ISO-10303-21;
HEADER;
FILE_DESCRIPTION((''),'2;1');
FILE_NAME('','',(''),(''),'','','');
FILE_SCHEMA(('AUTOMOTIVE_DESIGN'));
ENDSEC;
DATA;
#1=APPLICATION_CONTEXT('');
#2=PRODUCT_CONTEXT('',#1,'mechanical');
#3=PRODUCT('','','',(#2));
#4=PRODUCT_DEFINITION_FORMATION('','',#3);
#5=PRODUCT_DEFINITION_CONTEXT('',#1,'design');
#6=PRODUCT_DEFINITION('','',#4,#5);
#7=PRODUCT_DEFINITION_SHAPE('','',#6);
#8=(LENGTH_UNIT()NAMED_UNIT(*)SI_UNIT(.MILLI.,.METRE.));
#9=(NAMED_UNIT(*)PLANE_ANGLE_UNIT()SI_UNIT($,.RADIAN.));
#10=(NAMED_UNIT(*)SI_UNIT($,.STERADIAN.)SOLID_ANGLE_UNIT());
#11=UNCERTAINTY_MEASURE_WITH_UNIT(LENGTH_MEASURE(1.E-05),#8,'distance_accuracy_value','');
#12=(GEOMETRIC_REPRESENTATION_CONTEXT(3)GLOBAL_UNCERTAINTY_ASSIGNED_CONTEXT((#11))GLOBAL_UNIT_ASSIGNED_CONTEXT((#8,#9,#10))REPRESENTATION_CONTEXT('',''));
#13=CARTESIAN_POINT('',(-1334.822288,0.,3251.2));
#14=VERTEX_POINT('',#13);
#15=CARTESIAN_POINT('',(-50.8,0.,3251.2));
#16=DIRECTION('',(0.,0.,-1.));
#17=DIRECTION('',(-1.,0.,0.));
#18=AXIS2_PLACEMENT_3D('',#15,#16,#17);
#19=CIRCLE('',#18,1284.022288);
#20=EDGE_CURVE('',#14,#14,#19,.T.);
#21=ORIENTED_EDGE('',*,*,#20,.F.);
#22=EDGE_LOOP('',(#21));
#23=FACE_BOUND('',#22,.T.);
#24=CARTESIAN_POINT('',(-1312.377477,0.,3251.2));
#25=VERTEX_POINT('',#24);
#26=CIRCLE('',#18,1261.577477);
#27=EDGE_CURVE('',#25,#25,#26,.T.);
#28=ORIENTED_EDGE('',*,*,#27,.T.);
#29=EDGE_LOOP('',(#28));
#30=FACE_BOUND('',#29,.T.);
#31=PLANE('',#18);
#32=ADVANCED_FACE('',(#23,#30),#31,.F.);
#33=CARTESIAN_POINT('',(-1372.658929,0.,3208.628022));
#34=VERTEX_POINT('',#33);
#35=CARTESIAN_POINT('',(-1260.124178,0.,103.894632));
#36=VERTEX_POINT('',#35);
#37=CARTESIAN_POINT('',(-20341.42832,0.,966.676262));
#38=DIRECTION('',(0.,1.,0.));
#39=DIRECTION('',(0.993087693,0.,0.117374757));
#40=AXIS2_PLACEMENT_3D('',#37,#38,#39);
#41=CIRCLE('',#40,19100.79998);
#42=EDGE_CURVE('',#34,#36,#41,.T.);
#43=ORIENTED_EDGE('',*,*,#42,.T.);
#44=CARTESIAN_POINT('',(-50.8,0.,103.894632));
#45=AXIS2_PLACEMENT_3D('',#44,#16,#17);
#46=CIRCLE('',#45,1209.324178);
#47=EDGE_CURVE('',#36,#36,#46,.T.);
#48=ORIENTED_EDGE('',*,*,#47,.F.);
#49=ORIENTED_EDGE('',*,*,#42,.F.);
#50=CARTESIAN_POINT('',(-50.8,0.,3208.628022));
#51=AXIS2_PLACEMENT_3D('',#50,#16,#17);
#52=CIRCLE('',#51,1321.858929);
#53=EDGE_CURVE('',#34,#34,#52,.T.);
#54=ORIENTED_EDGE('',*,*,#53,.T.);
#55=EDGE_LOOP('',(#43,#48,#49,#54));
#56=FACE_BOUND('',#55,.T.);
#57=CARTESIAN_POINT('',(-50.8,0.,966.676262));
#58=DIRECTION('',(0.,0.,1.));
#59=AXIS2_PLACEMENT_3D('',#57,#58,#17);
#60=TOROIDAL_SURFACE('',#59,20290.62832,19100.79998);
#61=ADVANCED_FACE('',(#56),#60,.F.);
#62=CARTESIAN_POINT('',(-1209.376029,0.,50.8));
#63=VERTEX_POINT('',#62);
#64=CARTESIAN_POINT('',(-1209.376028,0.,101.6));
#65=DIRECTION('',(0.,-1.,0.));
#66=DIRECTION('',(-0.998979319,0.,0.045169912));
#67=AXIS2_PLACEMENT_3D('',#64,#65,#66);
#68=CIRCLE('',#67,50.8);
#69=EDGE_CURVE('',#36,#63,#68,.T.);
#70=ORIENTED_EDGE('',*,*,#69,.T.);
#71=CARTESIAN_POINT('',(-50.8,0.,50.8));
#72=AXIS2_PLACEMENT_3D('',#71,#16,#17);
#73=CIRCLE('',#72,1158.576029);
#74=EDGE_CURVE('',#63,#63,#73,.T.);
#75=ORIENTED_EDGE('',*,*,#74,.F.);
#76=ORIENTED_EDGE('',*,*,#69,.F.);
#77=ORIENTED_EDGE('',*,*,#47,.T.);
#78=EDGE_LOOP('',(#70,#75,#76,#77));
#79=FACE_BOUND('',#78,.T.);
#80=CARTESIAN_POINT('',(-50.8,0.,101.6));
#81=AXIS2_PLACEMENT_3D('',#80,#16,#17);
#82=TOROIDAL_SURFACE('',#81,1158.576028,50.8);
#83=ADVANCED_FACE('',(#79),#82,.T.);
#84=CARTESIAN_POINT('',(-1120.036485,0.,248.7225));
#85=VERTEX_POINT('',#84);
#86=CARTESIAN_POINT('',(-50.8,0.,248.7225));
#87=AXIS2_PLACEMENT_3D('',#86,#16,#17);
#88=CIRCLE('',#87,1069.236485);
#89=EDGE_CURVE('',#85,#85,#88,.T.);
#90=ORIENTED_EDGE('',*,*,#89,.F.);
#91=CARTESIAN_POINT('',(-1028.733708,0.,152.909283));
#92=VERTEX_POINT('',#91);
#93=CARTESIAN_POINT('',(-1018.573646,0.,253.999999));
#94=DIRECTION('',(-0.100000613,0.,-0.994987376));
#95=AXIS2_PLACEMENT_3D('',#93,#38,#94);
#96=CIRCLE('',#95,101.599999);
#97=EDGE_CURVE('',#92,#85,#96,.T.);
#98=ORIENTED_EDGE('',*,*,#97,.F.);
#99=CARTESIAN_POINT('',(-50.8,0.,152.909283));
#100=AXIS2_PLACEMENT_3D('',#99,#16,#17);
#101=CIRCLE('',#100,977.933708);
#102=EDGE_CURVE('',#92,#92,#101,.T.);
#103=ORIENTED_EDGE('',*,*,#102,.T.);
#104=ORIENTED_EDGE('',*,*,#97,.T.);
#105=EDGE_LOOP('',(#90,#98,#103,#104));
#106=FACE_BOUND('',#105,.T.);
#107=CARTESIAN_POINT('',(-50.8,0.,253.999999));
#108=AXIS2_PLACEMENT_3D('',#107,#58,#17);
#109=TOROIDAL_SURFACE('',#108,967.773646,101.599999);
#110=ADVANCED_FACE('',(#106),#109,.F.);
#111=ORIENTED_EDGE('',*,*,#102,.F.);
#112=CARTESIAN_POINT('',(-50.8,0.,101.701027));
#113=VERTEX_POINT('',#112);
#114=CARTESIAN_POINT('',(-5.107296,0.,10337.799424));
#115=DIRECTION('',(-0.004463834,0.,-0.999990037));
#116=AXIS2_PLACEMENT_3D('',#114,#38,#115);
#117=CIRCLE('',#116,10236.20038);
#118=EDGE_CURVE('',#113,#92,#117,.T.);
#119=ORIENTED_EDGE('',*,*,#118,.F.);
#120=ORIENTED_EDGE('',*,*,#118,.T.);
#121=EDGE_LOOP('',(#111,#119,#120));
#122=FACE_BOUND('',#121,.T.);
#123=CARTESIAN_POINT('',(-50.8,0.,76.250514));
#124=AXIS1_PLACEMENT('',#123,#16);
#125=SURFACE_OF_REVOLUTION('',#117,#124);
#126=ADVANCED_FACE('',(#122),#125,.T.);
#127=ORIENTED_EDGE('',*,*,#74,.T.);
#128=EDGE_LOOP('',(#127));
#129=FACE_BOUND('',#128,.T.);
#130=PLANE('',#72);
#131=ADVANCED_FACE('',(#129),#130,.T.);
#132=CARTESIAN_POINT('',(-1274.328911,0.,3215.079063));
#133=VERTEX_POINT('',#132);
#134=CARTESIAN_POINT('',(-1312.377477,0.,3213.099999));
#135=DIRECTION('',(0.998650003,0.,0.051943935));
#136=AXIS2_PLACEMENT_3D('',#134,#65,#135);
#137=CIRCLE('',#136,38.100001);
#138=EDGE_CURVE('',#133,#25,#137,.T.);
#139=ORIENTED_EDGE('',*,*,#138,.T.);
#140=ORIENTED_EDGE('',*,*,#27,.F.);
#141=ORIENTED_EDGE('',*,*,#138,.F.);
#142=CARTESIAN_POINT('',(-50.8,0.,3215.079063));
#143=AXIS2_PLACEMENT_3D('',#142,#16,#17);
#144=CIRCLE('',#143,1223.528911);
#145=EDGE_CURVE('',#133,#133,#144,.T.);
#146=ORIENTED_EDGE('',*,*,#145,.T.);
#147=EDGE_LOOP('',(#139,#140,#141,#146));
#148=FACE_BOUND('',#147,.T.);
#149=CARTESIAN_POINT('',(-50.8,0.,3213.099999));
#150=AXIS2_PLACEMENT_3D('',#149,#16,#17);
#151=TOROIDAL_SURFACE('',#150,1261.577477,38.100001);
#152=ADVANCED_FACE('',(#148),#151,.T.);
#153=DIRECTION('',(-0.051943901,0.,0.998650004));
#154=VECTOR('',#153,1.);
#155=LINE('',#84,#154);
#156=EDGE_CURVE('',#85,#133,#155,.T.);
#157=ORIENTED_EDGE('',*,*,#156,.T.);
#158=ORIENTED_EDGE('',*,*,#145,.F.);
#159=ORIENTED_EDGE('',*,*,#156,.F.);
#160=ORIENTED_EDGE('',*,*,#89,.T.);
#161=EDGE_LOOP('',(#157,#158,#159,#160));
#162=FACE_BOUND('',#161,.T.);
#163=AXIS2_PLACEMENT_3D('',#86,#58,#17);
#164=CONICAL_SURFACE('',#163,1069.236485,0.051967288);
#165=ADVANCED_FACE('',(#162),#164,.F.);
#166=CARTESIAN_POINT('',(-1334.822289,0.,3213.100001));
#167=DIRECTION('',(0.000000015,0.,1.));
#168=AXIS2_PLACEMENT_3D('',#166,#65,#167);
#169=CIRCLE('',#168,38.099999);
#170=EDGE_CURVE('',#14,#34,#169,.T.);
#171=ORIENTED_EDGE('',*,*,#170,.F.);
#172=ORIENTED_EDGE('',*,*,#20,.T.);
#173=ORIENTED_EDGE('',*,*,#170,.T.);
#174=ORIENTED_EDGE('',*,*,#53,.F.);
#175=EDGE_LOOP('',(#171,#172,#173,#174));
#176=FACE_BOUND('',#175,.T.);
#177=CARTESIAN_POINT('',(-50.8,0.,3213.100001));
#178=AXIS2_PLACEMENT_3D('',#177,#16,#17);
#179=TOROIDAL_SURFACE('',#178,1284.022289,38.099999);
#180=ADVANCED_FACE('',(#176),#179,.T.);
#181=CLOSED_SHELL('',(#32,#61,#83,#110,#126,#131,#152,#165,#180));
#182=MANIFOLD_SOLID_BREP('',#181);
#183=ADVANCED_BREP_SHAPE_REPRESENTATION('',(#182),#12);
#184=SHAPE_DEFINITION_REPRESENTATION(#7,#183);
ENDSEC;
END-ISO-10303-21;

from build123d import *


with BuildPart() as f1:
    # F0 (on Front) → F1 (revolve)
    with BuildSketch(Plane.XZ):
        with BuildLine():
            Line((-1312.377477, 3251.2), (-1334.822288, 3251.2))
            ThreePointArc((-1334.822288, 3251.2), (-1363.300283, 3238.41035), (-1372.658929, 3208.628022))
            ThreePointArc((-1372.658929, 3208.628022), (-1253.163173, 1658.553115), (-1260.124178, 103.894632))
            ThreePointArc((-1260.124178, 103.894632), (-1246.099368, 66.499625), (-1209.376029, 50.8))
            Line((-1209.376029, 50.8), (-50.8, 50.8))
            Line((-50.8, 50.8), (-50.8, 101.701027))
            ThreePointArc((-50.8, 101.701027), (-540.379577, 115.603877), (-1028.733708, 152.909283))
            ThreePointArc((-1028.733708, 152.909283), (-1092.126084, 183.910067), (-1120.036485, 248.7225))
            Line((-1120.036485, 248.7225), (-1274.328911, 3215.079063))
            ThreePointArc((-1274.328911, 3215.079063), (-1286.145743, 3240.731615), (-1312.377477, 3251.2))
        make_face()
    revolve(axis=Axis((-50.8, 0, 76.250514), (0, 0, -1)))


solid = f1.part
